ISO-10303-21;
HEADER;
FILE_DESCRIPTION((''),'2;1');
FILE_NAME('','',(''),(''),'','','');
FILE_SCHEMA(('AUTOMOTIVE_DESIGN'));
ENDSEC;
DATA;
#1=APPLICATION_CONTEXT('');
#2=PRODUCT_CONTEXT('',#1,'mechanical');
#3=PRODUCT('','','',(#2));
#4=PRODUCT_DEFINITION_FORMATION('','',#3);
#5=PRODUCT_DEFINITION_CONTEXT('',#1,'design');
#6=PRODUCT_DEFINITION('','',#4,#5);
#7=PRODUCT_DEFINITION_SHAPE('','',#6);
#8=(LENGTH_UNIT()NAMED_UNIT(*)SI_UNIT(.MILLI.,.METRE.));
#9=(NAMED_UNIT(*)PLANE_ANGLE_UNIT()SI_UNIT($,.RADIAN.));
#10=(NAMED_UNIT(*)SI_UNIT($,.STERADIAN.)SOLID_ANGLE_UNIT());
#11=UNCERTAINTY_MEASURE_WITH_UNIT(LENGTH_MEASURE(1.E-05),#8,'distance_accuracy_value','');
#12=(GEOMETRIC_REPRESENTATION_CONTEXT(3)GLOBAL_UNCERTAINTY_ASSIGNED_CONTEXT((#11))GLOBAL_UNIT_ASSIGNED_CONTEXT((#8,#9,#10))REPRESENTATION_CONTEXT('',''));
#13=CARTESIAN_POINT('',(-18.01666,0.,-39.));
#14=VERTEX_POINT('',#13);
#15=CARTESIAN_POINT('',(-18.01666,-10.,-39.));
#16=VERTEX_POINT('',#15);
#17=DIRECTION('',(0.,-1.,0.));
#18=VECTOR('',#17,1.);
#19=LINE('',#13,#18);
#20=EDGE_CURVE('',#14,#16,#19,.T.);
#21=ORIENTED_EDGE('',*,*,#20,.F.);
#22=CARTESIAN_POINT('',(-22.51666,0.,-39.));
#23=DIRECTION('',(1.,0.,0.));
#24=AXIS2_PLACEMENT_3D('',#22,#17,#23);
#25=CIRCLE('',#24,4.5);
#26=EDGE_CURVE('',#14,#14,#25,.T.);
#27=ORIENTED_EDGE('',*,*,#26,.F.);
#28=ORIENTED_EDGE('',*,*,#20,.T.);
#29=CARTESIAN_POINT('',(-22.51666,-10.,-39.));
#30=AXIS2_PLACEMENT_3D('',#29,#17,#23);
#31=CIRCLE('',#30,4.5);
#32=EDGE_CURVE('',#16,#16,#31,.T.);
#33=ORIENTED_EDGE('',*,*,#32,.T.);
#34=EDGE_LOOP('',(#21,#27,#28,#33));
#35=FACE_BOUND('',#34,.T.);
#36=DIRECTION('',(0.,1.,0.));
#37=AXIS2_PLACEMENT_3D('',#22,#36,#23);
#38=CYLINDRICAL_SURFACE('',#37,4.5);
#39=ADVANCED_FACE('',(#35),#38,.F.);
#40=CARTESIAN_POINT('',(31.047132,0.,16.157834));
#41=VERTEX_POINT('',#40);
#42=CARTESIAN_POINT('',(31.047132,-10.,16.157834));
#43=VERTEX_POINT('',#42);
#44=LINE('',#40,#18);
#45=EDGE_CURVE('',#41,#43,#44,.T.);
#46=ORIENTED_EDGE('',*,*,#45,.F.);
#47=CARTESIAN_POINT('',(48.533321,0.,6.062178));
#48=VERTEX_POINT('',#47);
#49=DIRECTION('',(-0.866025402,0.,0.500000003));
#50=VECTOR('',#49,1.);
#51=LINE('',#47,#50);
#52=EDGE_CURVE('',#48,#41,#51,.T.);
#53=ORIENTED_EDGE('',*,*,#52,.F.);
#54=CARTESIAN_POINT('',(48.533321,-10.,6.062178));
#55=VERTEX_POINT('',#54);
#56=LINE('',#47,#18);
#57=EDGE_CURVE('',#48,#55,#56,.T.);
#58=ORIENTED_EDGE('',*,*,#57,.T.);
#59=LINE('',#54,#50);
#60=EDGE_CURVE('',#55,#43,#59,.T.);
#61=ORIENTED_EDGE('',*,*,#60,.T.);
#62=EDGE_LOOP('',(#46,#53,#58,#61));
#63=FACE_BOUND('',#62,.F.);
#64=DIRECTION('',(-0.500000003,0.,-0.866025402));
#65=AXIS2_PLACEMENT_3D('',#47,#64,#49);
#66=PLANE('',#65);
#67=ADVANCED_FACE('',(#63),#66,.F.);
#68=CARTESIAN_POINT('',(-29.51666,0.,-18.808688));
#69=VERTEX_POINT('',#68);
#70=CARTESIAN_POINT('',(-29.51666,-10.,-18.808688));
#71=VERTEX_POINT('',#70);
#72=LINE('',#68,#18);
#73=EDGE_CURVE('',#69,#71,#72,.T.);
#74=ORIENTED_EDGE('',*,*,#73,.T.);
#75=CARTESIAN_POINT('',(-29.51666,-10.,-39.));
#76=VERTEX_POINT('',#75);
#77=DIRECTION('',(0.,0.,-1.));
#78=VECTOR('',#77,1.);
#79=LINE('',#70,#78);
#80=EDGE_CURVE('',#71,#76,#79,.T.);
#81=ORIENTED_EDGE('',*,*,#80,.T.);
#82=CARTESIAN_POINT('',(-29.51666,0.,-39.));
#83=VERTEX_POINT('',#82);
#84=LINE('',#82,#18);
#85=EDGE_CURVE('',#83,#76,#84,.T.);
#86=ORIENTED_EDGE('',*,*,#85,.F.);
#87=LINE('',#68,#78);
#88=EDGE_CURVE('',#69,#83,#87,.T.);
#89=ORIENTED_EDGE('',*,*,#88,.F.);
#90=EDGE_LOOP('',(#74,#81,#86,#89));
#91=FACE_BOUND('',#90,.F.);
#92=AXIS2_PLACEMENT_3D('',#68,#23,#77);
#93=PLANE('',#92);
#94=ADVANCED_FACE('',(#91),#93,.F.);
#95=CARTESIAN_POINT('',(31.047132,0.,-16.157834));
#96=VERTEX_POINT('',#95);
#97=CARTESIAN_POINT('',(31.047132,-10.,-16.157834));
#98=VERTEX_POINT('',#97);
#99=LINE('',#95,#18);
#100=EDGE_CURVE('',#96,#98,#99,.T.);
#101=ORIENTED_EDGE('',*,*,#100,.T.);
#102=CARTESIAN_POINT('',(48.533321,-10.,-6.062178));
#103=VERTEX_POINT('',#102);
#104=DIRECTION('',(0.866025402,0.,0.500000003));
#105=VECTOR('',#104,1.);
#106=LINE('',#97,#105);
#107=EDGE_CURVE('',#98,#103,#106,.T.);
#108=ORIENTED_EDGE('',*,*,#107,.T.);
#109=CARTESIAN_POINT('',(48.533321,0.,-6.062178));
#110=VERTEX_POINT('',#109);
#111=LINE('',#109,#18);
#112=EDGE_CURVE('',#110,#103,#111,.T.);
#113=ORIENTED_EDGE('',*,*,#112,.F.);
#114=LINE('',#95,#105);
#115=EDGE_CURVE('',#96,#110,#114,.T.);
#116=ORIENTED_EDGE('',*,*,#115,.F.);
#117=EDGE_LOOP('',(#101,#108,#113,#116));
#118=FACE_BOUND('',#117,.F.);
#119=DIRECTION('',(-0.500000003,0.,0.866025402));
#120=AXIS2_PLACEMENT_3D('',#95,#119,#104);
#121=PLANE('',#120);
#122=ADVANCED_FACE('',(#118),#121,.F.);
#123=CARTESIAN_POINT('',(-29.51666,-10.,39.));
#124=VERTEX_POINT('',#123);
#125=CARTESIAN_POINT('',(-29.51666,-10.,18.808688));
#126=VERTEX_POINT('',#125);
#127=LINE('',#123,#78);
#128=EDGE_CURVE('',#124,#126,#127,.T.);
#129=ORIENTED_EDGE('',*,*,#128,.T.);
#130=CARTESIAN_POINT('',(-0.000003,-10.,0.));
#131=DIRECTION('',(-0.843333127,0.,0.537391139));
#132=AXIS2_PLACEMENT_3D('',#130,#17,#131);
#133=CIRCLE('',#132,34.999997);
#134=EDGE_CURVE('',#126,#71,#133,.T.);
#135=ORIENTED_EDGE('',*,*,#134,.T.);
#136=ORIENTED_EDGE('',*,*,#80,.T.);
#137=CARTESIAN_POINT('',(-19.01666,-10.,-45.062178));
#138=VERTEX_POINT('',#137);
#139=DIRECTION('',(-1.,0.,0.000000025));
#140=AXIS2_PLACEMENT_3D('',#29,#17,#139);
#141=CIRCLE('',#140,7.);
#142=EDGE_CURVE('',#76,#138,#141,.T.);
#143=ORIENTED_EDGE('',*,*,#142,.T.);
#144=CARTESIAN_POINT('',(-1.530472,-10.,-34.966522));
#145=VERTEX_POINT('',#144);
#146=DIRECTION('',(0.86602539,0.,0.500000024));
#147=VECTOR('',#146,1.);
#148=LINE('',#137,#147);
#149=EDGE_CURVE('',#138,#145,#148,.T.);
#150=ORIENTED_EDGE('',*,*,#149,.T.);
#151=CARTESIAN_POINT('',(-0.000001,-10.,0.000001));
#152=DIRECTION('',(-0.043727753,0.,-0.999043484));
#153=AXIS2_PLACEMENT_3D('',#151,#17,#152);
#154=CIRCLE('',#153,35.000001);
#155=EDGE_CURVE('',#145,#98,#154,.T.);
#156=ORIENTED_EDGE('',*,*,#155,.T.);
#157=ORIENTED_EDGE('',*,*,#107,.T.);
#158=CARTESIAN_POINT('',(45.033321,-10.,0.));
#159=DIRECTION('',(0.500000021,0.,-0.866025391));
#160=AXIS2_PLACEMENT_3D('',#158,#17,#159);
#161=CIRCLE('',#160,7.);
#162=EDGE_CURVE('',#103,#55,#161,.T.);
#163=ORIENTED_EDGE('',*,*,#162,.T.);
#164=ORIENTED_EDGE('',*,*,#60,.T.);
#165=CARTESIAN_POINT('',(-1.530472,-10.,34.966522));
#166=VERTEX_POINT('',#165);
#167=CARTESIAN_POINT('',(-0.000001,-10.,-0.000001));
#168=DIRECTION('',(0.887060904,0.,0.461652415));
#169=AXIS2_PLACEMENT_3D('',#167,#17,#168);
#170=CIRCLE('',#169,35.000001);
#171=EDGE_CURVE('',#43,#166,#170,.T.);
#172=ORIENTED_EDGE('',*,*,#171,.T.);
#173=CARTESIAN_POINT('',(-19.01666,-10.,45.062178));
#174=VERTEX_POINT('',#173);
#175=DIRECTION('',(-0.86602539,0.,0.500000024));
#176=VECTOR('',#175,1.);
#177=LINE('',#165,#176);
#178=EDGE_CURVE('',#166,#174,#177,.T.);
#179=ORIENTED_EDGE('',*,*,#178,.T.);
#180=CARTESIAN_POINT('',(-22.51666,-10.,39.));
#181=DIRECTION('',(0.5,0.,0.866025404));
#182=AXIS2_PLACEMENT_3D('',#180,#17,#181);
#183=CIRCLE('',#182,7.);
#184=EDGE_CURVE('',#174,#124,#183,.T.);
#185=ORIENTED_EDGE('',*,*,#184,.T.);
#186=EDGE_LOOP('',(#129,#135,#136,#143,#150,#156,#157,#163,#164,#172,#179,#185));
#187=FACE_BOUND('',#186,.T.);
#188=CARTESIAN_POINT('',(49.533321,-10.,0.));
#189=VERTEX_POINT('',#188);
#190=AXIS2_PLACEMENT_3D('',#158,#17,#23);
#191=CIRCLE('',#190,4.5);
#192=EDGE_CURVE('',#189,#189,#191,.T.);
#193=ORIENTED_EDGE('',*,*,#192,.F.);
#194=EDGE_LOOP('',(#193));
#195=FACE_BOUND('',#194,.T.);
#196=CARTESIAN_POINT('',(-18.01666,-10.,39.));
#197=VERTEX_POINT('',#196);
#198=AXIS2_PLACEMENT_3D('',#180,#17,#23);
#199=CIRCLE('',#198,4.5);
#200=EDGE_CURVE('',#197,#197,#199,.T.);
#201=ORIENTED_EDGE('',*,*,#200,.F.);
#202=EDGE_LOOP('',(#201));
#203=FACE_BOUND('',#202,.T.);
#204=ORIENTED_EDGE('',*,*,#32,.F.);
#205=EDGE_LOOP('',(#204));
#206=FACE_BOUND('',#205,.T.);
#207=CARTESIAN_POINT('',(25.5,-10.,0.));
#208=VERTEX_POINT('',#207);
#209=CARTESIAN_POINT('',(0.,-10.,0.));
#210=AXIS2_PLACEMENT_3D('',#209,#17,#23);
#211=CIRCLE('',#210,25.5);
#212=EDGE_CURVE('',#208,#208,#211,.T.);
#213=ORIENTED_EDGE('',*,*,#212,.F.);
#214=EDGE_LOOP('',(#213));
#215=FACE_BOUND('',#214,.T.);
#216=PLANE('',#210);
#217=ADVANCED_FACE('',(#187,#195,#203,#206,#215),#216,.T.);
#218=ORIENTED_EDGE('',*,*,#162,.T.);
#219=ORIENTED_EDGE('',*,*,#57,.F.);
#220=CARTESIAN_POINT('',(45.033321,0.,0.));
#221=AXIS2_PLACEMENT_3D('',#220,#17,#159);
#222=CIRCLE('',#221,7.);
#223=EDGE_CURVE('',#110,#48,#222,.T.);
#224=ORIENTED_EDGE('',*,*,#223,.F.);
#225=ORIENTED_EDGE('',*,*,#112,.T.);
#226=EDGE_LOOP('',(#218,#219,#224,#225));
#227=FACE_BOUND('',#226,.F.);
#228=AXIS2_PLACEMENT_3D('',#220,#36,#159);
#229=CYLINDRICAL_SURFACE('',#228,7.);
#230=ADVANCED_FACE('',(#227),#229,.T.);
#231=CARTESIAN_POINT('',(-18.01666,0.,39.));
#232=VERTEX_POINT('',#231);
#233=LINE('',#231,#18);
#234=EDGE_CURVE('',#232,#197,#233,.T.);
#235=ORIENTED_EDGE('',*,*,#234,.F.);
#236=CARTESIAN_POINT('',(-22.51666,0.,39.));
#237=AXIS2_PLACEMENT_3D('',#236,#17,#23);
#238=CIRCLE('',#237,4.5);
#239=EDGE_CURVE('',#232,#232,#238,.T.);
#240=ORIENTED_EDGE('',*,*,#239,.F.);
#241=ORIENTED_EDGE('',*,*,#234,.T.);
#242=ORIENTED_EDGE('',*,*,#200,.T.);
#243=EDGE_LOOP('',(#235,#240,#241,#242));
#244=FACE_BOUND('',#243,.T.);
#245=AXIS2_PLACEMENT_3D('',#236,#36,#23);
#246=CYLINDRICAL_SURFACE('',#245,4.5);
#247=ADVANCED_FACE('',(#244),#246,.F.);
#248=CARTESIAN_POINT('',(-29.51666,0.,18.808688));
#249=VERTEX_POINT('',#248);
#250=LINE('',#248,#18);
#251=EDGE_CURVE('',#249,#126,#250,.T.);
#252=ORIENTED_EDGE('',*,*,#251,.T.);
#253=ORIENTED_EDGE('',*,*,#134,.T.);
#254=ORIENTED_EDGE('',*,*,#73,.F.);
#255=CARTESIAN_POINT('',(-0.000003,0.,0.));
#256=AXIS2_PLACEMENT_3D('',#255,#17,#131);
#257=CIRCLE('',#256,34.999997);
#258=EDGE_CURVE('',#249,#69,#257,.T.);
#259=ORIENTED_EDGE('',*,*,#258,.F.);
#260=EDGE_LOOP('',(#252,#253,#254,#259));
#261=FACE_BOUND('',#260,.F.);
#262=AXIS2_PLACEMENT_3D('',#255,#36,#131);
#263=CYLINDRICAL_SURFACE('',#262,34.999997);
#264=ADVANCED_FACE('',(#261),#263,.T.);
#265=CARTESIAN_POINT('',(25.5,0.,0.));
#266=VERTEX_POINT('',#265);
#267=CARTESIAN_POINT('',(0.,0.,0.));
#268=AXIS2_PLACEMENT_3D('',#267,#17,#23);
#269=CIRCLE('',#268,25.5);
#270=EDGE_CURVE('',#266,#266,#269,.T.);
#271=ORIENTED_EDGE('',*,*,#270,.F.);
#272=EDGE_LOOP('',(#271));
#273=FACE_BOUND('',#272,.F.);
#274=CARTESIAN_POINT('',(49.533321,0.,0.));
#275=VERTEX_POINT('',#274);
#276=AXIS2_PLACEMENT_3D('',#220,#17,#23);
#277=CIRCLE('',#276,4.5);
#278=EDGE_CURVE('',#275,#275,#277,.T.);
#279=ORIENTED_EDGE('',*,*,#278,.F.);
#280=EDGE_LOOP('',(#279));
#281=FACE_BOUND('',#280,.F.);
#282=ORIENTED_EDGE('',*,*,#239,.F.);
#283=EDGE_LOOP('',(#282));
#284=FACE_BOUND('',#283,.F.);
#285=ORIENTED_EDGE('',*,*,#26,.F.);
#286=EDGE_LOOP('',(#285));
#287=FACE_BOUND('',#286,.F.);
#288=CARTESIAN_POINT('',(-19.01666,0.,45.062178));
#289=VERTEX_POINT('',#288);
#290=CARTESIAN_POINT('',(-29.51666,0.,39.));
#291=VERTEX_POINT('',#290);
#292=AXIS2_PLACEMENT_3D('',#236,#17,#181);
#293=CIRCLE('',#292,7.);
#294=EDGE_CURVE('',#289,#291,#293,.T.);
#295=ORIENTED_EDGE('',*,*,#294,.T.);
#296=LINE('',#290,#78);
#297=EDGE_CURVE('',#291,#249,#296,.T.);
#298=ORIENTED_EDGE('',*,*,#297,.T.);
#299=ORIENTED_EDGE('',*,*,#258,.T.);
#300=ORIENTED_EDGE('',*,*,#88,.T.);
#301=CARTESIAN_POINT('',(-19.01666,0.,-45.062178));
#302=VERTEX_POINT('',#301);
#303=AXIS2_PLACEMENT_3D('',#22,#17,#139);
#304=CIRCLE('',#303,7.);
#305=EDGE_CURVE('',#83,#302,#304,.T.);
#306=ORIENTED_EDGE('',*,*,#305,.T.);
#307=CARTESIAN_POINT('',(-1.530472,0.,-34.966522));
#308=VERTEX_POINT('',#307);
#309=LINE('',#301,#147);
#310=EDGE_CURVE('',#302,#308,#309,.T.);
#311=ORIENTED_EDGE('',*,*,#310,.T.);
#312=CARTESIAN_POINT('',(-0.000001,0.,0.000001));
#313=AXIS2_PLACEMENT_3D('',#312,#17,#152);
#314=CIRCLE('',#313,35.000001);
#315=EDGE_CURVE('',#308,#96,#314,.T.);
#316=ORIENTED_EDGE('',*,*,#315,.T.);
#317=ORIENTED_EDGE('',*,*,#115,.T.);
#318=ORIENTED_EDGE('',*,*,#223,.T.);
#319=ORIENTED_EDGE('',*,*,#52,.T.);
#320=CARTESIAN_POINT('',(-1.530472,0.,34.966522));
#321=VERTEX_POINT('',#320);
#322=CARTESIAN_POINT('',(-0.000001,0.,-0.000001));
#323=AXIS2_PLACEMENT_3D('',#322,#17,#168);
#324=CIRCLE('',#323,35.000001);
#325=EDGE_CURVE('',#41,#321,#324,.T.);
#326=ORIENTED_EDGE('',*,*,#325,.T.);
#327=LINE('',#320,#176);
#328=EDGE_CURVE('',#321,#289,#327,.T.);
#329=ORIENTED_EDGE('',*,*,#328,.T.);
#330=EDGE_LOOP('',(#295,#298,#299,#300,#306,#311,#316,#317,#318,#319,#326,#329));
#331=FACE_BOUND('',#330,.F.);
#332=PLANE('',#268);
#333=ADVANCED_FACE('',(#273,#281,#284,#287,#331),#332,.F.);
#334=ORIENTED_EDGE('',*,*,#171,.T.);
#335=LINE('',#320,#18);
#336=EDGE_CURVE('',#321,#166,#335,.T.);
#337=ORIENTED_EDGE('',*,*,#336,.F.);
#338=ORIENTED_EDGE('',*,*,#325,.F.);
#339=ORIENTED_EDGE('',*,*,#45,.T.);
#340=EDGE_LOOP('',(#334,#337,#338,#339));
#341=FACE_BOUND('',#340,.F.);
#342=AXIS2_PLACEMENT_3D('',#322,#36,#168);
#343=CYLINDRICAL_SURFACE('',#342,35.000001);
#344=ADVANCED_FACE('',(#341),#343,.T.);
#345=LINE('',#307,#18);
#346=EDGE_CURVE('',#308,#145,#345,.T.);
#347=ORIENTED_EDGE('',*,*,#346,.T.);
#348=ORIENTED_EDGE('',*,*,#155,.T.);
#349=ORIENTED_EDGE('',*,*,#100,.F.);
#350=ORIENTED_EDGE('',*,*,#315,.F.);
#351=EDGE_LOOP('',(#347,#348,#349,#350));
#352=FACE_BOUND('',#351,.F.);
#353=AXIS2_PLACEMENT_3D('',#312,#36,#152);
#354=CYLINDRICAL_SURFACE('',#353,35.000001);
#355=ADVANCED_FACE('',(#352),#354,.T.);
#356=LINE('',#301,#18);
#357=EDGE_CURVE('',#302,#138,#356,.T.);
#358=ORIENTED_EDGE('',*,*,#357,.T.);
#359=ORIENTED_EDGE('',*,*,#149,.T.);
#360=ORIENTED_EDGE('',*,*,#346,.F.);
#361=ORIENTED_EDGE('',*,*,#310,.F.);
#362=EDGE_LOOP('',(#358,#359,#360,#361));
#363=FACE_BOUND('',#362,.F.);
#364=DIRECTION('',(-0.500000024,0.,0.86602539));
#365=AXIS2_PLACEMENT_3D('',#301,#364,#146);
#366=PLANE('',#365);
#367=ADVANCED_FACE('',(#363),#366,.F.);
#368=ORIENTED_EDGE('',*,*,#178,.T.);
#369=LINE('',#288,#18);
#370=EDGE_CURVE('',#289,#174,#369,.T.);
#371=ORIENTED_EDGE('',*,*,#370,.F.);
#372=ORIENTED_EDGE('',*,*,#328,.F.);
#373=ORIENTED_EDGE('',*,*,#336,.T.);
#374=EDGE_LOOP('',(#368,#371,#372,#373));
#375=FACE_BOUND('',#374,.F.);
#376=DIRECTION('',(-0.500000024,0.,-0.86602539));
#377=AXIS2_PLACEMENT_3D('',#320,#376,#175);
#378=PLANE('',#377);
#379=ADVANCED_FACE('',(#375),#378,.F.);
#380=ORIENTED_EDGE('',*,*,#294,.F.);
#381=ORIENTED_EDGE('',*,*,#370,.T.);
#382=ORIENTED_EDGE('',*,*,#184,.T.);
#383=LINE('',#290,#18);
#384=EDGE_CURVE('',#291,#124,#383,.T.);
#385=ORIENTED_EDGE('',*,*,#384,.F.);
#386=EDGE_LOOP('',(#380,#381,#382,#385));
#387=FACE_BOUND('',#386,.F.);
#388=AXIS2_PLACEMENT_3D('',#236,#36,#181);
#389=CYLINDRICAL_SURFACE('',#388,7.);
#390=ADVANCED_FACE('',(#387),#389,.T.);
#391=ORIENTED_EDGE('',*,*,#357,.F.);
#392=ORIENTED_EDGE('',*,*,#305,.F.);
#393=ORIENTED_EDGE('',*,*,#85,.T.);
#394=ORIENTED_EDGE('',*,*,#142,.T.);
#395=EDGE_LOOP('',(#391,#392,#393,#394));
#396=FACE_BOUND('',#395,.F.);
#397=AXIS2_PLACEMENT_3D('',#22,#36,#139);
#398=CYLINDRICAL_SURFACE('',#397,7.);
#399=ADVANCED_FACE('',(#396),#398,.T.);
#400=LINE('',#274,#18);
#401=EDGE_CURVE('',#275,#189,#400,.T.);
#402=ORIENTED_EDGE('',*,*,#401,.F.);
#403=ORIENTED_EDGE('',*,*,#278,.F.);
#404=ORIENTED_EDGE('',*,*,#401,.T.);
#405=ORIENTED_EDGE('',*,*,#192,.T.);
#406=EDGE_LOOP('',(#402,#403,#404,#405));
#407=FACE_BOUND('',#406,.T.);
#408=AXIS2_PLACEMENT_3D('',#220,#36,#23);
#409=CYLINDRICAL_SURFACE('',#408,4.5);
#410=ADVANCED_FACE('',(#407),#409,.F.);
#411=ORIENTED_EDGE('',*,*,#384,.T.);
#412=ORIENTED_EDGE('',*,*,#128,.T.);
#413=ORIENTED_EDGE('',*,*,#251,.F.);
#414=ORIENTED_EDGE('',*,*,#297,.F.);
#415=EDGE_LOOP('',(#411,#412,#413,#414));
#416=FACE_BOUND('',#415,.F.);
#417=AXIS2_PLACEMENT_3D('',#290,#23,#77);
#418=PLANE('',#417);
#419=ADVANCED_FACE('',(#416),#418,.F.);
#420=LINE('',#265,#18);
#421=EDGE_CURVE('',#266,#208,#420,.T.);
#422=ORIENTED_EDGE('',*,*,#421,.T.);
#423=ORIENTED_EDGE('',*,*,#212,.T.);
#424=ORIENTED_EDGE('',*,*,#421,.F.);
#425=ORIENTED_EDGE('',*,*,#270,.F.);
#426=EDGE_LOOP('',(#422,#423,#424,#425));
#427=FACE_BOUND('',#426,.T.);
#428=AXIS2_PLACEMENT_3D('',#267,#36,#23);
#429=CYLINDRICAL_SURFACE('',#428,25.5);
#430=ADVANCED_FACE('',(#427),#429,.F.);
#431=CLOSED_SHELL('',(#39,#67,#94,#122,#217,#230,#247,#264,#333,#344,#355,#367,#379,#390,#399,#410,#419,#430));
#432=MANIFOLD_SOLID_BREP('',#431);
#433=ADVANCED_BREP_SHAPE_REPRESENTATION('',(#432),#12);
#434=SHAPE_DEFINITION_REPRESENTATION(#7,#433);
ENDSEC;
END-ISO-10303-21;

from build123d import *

# Parameters (mm, degrees)
F0_R     = 4.5
F0_R_2   = 25.5
F1_DEPTH = 10


with BuildPart() as f1:
    # F0 (on Front) → F1 (new body)
    with BuildSketch(Plane.XZ):
        with BuildLine():
            ThreePointArc((48.533321, -6.062178), (52.033321, 0), (48.533321, 6.062178))
            Line((48.533321, 6.062178), (31.047132, 16.157834))
            ThreePointArc((31.047132, 16.157834), (17.5, 30.310889), (-1.530472, 34.966522))
            Line((-1.530472, 34.966522), (-19.01666, 45.062178))
            ThreePointArc((-19.01666, 45.062178), (-26.01666, 45.062178), (-29.51666, 39))
            Line((-29.51666, 39), (-29.51666, 18.808688))
            ThreePointArc((-29.51666, 18.808688), (-35, 0), (-29.51666, -18.808688))
            Line((-29.51666, -18.808688), (-29.51666, -39))
            ThreePointArc((-29.51666, -39), (-26.01666, -45.062178), (-19.01666, -45.062178))
            Line((-19.01666, -45.062178), (-1.530472, -34.966522))
            ThreePointArc((-1.530472, -34.966522), (17.5, -30.310889), (31.047132, -16.157834))
            Line((31.047132, -16.157834), (48.533321, -6.062178))
        make_face()
        with Locations((-22.51666, -39)):
            Circle(F0_R, mode=Mode.SUBTRACT)
        Circle(F0_R_2, mode=Mode.SUBTRACT)
        with Locations((45.033321, 0)):
            Circle(F0_R, mode=Mode.SUBTRACT)
        with Locations((-22.51666, 39)):
            Circle(F0_R, mode=Mode.SUBTRACT)
    extrude(amount=F1_DEPTH)


solid = f1.part
